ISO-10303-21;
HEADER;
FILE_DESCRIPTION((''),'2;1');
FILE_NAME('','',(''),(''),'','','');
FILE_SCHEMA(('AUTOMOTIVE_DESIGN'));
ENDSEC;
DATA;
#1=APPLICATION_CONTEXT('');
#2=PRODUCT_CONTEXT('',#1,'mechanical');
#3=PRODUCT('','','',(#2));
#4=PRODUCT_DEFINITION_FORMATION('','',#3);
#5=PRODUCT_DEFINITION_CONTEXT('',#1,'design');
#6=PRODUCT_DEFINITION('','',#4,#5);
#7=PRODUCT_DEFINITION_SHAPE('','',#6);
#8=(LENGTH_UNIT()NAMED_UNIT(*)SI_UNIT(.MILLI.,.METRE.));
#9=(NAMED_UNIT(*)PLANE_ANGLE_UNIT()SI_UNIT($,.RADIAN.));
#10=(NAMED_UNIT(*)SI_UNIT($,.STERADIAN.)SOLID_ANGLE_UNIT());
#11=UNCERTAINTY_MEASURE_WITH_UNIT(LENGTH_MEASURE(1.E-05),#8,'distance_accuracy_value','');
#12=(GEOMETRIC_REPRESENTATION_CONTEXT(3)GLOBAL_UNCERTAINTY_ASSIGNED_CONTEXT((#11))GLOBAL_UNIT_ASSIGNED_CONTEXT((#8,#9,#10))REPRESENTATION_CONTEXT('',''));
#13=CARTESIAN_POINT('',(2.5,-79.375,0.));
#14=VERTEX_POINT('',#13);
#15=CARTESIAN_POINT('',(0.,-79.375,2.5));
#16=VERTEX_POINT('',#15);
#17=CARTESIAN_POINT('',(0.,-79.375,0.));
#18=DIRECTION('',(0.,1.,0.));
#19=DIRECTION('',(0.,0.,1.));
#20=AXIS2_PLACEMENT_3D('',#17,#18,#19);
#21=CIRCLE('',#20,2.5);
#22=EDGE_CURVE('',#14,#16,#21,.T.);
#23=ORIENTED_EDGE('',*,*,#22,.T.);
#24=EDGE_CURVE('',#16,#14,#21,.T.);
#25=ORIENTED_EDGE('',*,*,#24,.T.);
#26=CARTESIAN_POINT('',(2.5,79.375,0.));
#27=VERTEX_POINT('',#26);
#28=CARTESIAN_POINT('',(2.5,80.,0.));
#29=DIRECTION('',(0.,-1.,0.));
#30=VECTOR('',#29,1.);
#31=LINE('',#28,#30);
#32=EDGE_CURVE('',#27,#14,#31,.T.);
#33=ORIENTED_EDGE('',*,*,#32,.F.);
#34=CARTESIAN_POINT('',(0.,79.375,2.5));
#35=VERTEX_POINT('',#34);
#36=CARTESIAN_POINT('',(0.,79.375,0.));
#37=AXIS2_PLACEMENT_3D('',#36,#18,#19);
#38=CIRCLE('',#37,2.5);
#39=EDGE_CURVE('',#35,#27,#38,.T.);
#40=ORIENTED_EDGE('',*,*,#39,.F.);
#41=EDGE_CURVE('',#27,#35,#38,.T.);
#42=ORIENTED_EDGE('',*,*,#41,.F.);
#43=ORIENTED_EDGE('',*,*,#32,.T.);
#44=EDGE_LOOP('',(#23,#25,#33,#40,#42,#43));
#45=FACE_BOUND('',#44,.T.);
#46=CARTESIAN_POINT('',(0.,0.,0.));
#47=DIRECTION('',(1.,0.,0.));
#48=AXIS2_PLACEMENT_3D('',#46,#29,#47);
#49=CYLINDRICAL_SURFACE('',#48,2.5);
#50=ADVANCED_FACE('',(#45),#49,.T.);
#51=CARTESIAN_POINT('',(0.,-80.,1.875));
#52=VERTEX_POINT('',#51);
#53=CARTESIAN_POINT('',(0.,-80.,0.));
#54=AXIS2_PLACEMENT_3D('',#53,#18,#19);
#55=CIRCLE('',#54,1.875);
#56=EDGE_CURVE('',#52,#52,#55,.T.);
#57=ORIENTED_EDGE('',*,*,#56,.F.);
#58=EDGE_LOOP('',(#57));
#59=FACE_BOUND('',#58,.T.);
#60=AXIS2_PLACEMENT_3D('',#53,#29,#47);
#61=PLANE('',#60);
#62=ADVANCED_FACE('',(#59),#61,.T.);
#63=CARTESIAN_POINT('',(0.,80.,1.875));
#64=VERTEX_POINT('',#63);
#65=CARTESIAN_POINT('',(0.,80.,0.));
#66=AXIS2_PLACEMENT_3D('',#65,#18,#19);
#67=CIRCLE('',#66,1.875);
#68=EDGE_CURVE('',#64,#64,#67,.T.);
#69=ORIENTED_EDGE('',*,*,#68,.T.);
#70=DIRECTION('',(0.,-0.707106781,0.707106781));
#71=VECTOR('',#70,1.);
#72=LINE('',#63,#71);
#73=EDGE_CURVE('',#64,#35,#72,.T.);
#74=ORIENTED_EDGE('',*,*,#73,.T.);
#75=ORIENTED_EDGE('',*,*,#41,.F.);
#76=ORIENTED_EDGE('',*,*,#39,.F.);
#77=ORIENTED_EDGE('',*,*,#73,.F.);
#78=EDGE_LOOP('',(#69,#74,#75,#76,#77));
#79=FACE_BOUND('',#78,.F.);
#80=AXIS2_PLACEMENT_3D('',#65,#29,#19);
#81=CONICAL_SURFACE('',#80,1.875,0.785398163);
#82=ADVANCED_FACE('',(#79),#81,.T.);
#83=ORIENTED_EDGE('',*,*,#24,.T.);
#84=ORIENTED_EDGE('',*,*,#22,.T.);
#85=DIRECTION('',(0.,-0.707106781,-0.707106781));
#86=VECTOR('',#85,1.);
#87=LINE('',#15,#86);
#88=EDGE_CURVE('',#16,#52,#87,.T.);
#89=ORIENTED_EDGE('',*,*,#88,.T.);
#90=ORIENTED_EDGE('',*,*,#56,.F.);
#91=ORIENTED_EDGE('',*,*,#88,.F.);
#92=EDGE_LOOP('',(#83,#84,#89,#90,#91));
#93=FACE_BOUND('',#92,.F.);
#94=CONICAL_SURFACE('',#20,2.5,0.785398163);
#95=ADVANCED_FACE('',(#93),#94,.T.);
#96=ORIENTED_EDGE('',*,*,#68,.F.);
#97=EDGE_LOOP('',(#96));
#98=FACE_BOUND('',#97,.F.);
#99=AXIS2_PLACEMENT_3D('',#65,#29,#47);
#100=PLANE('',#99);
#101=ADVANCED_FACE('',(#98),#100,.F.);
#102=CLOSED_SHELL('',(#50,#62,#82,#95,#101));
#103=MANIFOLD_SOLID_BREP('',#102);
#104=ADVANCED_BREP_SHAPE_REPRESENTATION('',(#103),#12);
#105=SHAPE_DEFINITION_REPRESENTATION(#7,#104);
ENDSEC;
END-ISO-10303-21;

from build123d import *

# Parameters (mm, degrees)
SKETCH_R  = 2.5
PAD_DEPTH = 80


with BuildPart() as part:
    # Sketch → Pad (new body, symmetric)
    with BuildSketch(Plane.XZ):
        Circle(SKETCH_R)
    extrude(amount=PAD_DEPTH, both=True)

    # Sketch001 → Groove (revolve, cut)
    with BuildSketch(Plane.YZ):
        Polygon((-80, 4.5), (80, 4.5), (80, 1.875), (79.375, 2.5), (-79.375, 2.5), (-80, 1.875), align=None)
    revolve(axis=Axis((0, 0, 0), (0, 1, 0)), mode=Mode.SUBTRACT)


solid = part.part
